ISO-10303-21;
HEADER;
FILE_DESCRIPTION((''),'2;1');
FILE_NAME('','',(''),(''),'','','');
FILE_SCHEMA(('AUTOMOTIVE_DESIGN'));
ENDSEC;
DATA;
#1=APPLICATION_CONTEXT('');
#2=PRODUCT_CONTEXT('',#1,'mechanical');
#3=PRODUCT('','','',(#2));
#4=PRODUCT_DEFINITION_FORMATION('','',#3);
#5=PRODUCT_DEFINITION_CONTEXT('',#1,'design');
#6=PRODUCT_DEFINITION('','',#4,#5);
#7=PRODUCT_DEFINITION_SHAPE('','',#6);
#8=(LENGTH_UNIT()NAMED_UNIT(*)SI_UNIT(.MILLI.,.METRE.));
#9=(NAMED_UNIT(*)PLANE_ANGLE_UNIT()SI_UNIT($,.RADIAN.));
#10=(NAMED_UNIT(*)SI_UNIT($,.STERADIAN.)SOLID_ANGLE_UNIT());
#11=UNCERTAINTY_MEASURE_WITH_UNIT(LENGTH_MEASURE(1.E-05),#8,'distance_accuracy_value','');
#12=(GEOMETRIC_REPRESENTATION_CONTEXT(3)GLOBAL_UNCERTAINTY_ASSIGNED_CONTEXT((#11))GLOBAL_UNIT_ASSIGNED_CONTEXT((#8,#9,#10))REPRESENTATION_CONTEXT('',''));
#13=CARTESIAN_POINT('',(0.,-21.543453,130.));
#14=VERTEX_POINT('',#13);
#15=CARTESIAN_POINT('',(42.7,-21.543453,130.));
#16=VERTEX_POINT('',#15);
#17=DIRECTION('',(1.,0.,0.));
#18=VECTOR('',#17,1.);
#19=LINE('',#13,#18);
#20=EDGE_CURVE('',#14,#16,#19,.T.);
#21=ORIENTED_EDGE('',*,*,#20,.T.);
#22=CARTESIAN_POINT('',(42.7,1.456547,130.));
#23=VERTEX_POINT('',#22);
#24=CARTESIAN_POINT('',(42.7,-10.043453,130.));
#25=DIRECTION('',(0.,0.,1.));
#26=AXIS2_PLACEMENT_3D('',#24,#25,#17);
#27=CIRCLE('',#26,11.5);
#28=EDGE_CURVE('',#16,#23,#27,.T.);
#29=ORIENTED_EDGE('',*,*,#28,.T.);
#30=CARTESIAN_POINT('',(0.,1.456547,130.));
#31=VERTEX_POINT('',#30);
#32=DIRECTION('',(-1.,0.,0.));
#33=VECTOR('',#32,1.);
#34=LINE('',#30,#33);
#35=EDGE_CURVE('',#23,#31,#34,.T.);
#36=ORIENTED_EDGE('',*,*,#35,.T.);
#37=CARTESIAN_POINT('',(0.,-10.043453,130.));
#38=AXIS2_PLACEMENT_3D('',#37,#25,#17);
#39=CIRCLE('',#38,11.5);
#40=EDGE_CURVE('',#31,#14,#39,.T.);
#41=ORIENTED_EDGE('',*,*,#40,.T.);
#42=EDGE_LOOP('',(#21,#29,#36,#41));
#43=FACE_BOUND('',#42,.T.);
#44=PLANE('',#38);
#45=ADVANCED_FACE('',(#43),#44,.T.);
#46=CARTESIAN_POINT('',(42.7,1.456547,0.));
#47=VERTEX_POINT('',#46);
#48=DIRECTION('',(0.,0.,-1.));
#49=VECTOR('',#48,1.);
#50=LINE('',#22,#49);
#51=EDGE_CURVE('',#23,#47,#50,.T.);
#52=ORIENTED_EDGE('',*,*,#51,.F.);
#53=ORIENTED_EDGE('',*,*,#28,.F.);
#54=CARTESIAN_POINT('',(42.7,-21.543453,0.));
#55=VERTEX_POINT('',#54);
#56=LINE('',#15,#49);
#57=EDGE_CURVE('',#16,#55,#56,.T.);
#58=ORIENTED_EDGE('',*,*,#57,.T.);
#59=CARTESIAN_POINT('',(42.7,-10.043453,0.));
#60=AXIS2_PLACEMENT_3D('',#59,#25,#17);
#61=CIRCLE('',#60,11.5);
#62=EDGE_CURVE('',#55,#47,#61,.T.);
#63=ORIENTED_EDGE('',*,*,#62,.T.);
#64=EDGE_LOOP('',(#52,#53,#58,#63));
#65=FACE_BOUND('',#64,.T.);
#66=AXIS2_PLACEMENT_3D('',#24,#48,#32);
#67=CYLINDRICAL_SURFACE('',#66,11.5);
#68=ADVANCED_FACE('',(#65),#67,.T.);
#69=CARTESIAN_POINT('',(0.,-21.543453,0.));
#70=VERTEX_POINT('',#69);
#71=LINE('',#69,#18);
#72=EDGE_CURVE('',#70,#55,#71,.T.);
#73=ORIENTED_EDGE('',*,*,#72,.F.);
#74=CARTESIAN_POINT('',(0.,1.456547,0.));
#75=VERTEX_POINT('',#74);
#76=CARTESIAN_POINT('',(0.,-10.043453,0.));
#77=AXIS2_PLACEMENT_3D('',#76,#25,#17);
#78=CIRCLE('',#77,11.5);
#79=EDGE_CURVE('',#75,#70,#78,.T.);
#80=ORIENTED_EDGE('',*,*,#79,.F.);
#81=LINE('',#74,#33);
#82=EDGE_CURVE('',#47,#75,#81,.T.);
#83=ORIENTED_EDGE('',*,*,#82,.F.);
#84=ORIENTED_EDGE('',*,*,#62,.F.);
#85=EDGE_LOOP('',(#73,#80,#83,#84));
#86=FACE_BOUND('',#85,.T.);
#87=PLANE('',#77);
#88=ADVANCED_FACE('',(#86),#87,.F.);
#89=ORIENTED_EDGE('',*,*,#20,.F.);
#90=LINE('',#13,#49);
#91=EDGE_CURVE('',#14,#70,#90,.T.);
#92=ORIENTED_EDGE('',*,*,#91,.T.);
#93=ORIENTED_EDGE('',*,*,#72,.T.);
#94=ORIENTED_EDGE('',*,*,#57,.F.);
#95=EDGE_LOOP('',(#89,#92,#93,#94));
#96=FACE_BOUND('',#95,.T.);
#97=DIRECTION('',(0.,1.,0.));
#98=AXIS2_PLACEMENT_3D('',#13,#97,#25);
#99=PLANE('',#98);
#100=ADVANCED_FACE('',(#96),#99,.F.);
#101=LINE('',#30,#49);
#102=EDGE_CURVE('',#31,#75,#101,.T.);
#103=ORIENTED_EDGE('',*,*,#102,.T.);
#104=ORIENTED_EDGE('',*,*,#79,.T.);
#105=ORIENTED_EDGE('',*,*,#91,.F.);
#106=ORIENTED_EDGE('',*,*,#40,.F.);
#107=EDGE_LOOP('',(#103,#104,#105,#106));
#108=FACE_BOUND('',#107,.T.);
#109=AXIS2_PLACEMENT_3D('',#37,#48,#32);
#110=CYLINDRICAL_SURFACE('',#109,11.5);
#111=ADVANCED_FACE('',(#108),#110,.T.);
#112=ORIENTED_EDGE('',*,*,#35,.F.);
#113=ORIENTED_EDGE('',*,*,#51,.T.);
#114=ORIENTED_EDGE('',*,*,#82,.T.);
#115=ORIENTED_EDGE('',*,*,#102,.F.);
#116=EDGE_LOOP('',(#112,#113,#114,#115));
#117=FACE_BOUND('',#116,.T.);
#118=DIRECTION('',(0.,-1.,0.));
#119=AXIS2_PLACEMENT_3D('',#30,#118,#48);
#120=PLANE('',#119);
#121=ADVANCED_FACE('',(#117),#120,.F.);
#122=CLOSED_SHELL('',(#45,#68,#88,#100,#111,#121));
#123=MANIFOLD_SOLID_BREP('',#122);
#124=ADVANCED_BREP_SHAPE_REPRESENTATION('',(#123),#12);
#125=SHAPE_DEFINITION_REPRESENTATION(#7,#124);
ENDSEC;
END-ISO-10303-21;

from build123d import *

# Parameters (mm, degrees)
BOSS_EXTRU_1_DEPTH = 130


with BuildPart() as part:
    # Esquisse2 → Boss.-Extru.1 (new body)
    with BuildSketch(Plane.XY):
        with BuildLine():
            Line((0, 1.456546612), (42.7, 1.456546612))
            ThreePointArc((42.7, 1.456546612), (54.2, -10.043453388), (42.7, -21.543453388))
            Line((42.7, -21.543453388), (0, -21.543453388))
            ThreePointArc((0, -21.543453388), (-11.5, -10.043453388), (0, 1.456546612))
        make_face()
    extrude(amount=BOSS_EXTRU_1_DEPTH)


solid = part.part
